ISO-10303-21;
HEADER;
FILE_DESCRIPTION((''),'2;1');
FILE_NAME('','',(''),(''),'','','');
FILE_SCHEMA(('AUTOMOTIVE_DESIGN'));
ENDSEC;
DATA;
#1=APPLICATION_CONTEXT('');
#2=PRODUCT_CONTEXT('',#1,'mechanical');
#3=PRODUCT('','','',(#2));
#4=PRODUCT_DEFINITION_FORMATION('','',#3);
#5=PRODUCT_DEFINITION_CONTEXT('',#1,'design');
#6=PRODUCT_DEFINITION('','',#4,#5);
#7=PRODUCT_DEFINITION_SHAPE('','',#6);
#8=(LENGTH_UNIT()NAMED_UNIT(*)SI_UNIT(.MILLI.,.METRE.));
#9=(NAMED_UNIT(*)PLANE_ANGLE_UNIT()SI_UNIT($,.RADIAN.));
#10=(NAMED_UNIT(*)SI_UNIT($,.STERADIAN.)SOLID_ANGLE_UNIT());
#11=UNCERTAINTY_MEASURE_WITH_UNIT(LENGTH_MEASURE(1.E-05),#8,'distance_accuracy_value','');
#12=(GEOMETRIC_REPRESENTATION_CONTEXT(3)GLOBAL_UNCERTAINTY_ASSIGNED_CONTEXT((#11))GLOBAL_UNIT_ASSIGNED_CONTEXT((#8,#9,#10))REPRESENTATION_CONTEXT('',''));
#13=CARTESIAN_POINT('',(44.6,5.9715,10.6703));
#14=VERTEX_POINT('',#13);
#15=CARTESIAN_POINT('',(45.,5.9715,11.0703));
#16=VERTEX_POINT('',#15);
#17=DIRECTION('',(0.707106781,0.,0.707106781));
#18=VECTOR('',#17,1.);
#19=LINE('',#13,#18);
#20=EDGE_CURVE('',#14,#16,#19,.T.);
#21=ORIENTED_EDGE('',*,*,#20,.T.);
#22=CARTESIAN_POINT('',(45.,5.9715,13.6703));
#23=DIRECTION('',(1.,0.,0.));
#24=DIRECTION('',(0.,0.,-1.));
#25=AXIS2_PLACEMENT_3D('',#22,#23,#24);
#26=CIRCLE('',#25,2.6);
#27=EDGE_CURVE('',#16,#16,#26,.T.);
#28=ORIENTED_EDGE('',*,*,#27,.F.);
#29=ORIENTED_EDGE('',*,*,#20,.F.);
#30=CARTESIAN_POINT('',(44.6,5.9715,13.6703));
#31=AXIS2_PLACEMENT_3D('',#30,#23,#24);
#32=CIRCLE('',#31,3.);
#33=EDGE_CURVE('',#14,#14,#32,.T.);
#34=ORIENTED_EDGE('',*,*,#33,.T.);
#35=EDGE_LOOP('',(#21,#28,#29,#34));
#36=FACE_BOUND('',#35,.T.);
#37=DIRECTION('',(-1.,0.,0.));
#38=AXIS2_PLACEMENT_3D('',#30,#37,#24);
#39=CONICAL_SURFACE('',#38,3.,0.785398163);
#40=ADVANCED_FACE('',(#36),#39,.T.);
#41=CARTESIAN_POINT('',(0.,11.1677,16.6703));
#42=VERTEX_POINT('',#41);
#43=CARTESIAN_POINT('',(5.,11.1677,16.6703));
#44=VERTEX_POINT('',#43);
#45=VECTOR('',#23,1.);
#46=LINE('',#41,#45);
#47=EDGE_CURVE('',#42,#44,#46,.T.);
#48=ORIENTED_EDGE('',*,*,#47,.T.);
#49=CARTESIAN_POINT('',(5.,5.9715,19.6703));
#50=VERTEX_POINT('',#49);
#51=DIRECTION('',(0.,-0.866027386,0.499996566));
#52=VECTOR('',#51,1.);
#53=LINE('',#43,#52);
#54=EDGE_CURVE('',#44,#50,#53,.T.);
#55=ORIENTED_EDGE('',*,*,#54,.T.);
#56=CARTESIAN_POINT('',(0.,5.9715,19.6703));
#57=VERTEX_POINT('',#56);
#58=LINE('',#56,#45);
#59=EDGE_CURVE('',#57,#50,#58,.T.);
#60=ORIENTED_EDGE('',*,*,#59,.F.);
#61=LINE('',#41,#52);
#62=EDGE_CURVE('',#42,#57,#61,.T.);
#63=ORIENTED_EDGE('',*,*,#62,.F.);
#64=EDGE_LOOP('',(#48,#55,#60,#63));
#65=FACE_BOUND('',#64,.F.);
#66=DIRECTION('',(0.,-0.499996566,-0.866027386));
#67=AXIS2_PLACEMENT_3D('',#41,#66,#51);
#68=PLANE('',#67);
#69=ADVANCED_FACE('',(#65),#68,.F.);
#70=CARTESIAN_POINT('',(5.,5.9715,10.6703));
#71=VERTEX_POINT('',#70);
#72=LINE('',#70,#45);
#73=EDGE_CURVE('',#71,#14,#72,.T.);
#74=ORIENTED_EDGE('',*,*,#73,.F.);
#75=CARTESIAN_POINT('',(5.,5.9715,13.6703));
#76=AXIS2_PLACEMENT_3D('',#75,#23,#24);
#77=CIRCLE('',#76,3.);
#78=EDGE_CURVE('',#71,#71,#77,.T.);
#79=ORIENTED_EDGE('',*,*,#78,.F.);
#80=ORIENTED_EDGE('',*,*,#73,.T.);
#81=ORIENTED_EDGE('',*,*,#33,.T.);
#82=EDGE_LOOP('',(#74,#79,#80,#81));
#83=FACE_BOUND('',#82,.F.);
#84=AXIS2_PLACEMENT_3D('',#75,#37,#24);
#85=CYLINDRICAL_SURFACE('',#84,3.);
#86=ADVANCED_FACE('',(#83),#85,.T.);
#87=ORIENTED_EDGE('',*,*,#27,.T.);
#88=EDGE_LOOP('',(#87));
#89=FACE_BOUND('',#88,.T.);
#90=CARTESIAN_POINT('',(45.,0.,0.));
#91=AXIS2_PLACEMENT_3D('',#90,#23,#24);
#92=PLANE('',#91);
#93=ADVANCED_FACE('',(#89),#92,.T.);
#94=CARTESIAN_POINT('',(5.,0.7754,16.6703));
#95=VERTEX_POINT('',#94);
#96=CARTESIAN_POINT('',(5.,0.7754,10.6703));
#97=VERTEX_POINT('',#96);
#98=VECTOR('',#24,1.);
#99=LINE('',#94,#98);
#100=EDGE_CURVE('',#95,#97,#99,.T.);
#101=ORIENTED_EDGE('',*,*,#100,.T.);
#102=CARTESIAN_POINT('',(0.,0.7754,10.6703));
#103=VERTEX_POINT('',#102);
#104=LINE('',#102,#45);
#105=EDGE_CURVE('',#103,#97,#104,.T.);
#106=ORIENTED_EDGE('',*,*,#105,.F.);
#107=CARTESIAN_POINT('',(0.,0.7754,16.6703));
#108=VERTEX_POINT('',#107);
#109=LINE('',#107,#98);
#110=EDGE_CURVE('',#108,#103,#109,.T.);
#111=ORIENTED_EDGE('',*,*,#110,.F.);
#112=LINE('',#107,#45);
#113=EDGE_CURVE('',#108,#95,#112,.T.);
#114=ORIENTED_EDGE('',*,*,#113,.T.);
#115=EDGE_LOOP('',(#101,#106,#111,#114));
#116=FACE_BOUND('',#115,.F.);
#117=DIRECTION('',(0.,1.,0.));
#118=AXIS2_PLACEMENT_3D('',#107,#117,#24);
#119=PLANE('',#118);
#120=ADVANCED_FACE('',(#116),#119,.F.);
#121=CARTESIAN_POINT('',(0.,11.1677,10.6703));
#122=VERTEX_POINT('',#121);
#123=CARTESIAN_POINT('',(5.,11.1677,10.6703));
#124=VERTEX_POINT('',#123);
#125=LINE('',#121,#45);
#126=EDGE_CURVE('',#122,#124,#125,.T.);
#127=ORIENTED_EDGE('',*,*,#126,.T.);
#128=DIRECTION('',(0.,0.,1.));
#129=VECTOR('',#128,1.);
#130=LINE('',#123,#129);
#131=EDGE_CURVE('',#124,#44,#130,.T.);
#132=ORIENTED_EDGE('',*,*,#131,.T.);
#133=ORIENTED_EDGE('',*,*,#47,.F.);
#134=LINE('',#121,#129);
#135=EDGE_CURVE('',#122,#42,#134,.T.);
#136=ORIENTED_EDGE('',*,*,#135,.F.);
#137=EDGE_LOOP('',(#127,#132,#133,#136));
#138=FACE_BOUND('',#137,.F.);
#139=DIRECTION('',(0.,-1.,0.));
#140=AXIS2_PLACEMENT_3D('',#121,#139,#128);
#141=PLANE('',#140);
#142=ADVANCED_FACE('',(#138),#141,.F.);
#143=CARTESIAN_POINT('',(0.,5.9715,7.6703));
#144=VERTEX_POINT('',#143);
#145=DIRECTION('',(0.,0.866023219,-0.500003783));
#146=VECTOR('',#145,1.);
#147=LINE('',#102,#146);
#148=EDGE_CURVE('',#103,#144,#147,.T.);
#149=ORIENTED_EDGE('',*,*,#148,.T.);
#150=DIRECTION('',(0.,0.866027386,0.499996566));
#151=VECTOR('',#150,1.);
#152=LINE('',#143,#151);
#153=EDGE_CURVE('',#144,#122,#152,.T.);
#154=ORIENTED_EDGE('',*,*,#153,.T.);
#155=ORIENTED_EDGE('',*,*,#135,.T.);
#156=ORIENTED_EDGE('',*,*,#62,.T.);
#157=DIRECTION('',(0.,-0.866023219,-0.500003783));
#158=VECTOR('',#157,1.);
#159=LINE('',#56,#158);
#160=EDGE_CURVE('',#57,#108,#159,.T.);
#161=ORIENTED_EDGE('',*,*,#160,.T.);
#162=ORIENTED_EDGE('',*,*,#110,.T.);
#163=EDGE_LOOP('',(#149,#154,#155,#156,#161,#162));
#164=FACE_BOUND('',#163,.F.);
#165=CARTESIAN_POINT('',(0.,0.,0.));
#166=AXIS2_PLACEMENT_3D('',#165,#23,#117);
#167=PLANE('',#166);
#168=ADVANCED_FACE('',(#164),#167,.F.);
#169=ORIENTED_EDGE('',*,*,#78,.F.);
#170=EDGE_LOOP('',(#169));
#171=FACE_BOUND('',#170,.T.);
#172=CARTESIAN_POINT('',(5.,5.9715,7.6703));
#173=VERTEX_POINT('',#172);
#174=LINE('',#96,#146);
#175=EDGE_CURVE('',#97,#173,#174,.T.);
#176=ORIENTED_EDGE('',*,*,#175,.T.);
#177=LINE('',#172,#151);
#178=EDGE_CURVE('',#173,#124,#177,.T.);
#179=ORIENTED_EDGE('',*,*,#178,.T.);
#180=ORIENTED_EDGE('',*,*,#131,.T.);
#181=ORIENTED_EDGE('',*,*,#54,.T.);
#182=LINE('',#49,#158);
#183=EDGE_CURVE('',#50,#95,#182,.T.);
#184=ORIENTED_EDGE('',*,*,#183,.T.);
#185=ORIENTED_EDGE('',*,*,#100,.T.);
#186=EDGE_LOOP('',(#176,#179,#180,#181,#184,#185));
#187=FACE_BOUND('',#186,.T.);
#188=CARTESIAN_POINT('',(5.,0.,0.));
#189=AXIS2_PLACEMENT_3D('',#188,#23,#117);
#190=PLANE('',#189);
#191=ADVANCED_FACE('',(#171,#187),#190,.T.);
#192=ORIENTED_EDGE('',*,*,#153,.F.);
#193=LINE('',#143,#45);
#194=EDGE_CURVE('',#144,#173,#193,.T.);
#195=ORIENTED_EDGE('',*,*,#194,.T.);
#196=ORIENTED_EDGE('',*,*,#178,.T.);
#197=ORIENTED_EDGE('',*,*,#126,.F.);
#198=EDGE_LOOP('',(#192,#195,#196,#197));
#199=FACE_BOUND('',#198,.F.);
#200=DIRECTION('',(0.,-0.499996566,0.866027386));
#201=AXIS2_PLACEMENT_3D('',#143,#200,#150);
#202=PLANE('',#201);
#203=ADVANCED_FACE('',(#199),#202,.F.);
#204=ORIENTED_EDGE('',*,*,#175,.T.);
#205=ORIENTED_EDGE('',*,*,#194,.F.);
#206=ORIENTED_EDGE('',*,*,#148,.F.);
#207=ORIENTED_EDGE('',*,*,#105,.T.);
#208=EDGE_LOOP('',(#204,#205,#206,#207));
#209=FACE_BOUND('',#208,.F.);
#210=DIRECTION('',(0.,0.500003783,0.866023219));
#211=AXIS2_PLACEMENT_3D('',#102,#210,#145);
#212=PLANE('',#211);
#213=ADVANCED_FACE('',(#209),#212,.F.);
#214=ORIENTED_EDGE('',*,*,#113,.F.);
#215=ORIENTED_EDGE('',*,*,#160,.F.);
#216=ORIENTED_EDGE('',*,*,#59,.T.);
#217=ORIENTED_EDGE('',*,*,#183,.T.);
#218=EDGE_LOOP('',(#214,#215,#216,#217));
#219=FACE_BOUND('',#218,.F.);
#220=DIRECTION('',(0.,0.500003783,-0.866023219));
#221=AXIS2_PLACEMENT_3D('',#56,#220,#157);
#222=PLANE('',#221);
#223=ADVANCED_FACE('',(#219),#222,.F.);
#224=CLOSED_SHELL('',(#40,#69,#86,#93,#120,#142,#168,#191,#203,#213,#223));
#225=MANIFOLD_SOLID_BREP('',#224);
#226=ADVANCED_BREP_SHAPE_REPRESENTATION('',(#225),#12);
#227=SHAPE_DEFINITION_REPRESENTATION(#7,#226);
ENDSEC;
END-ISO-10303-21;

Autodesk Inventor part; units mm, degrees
ref_plane "YZ Plane" through (0, 0, 0) normal (1, 0, 0) x (0, 1, 0)
ref_plane "XZ Plane" through (0, 0, 0) normal (0, 1, 0) x (-1, 0, 0)
ref_plane "XY Plane" through (0, 0, 0) normal (0, 0, 1) x (1, 0, 0)
sketch "Sketch1" plane through (0, 0, 0) normal (1, 0, 0) x (0, 1, 0)
  line L0 (11.1677, 16.6703) -> (5.9715, 19.6703)
  line L1 (5.9715, 19.6703) -> (0.7754, 16.6703)
  line L2 (0.7754, 16.6703) -> (0.7754, 10.6703)
  line L3 (0.7754, 10.6703) -> (5.9715, 7.6703)
  line L4 (5.9715, 7.6703) -> (11.1677, 10.6703)
  line L5 (11.1677, 10.6703) -> (11.1677, 16.6703)
  point P0 (0, 0)
  dimension "d0" = 120
  dimension "d1" = 120
  dimension "d2" = 6
extrude "Extrusion1" add sketch "Sketch1" along normal blind 5
sketch "Sketch2" plane through (5, 0, 0) normal (1, 0, 0) x (0, 0, -1)
  circle A0 centre (-13.6703, 5.9715) radius 3
  point P0 (0, 0)
  point P1 (-16.6703, 11.1677)
  point P2 (-10.6703, 0.7754)
  point P3 (-16.6703, 0.7754)
  dimension "d5" = 6
  dimension "d6" = 6
  dimension "d7" = 6
extrude "Extrusion2" add sketch "Sketch2" along normal blind 40
thread "Thread1" size "1/4-20 UNC" class "2A" standard "ANSI Unified Screw Threads" full length
chamfer "Chamfer1" distance 0.4 angle 45 1 edges at (45, 5.9715, 16.6703)
properties part number "Screw"
